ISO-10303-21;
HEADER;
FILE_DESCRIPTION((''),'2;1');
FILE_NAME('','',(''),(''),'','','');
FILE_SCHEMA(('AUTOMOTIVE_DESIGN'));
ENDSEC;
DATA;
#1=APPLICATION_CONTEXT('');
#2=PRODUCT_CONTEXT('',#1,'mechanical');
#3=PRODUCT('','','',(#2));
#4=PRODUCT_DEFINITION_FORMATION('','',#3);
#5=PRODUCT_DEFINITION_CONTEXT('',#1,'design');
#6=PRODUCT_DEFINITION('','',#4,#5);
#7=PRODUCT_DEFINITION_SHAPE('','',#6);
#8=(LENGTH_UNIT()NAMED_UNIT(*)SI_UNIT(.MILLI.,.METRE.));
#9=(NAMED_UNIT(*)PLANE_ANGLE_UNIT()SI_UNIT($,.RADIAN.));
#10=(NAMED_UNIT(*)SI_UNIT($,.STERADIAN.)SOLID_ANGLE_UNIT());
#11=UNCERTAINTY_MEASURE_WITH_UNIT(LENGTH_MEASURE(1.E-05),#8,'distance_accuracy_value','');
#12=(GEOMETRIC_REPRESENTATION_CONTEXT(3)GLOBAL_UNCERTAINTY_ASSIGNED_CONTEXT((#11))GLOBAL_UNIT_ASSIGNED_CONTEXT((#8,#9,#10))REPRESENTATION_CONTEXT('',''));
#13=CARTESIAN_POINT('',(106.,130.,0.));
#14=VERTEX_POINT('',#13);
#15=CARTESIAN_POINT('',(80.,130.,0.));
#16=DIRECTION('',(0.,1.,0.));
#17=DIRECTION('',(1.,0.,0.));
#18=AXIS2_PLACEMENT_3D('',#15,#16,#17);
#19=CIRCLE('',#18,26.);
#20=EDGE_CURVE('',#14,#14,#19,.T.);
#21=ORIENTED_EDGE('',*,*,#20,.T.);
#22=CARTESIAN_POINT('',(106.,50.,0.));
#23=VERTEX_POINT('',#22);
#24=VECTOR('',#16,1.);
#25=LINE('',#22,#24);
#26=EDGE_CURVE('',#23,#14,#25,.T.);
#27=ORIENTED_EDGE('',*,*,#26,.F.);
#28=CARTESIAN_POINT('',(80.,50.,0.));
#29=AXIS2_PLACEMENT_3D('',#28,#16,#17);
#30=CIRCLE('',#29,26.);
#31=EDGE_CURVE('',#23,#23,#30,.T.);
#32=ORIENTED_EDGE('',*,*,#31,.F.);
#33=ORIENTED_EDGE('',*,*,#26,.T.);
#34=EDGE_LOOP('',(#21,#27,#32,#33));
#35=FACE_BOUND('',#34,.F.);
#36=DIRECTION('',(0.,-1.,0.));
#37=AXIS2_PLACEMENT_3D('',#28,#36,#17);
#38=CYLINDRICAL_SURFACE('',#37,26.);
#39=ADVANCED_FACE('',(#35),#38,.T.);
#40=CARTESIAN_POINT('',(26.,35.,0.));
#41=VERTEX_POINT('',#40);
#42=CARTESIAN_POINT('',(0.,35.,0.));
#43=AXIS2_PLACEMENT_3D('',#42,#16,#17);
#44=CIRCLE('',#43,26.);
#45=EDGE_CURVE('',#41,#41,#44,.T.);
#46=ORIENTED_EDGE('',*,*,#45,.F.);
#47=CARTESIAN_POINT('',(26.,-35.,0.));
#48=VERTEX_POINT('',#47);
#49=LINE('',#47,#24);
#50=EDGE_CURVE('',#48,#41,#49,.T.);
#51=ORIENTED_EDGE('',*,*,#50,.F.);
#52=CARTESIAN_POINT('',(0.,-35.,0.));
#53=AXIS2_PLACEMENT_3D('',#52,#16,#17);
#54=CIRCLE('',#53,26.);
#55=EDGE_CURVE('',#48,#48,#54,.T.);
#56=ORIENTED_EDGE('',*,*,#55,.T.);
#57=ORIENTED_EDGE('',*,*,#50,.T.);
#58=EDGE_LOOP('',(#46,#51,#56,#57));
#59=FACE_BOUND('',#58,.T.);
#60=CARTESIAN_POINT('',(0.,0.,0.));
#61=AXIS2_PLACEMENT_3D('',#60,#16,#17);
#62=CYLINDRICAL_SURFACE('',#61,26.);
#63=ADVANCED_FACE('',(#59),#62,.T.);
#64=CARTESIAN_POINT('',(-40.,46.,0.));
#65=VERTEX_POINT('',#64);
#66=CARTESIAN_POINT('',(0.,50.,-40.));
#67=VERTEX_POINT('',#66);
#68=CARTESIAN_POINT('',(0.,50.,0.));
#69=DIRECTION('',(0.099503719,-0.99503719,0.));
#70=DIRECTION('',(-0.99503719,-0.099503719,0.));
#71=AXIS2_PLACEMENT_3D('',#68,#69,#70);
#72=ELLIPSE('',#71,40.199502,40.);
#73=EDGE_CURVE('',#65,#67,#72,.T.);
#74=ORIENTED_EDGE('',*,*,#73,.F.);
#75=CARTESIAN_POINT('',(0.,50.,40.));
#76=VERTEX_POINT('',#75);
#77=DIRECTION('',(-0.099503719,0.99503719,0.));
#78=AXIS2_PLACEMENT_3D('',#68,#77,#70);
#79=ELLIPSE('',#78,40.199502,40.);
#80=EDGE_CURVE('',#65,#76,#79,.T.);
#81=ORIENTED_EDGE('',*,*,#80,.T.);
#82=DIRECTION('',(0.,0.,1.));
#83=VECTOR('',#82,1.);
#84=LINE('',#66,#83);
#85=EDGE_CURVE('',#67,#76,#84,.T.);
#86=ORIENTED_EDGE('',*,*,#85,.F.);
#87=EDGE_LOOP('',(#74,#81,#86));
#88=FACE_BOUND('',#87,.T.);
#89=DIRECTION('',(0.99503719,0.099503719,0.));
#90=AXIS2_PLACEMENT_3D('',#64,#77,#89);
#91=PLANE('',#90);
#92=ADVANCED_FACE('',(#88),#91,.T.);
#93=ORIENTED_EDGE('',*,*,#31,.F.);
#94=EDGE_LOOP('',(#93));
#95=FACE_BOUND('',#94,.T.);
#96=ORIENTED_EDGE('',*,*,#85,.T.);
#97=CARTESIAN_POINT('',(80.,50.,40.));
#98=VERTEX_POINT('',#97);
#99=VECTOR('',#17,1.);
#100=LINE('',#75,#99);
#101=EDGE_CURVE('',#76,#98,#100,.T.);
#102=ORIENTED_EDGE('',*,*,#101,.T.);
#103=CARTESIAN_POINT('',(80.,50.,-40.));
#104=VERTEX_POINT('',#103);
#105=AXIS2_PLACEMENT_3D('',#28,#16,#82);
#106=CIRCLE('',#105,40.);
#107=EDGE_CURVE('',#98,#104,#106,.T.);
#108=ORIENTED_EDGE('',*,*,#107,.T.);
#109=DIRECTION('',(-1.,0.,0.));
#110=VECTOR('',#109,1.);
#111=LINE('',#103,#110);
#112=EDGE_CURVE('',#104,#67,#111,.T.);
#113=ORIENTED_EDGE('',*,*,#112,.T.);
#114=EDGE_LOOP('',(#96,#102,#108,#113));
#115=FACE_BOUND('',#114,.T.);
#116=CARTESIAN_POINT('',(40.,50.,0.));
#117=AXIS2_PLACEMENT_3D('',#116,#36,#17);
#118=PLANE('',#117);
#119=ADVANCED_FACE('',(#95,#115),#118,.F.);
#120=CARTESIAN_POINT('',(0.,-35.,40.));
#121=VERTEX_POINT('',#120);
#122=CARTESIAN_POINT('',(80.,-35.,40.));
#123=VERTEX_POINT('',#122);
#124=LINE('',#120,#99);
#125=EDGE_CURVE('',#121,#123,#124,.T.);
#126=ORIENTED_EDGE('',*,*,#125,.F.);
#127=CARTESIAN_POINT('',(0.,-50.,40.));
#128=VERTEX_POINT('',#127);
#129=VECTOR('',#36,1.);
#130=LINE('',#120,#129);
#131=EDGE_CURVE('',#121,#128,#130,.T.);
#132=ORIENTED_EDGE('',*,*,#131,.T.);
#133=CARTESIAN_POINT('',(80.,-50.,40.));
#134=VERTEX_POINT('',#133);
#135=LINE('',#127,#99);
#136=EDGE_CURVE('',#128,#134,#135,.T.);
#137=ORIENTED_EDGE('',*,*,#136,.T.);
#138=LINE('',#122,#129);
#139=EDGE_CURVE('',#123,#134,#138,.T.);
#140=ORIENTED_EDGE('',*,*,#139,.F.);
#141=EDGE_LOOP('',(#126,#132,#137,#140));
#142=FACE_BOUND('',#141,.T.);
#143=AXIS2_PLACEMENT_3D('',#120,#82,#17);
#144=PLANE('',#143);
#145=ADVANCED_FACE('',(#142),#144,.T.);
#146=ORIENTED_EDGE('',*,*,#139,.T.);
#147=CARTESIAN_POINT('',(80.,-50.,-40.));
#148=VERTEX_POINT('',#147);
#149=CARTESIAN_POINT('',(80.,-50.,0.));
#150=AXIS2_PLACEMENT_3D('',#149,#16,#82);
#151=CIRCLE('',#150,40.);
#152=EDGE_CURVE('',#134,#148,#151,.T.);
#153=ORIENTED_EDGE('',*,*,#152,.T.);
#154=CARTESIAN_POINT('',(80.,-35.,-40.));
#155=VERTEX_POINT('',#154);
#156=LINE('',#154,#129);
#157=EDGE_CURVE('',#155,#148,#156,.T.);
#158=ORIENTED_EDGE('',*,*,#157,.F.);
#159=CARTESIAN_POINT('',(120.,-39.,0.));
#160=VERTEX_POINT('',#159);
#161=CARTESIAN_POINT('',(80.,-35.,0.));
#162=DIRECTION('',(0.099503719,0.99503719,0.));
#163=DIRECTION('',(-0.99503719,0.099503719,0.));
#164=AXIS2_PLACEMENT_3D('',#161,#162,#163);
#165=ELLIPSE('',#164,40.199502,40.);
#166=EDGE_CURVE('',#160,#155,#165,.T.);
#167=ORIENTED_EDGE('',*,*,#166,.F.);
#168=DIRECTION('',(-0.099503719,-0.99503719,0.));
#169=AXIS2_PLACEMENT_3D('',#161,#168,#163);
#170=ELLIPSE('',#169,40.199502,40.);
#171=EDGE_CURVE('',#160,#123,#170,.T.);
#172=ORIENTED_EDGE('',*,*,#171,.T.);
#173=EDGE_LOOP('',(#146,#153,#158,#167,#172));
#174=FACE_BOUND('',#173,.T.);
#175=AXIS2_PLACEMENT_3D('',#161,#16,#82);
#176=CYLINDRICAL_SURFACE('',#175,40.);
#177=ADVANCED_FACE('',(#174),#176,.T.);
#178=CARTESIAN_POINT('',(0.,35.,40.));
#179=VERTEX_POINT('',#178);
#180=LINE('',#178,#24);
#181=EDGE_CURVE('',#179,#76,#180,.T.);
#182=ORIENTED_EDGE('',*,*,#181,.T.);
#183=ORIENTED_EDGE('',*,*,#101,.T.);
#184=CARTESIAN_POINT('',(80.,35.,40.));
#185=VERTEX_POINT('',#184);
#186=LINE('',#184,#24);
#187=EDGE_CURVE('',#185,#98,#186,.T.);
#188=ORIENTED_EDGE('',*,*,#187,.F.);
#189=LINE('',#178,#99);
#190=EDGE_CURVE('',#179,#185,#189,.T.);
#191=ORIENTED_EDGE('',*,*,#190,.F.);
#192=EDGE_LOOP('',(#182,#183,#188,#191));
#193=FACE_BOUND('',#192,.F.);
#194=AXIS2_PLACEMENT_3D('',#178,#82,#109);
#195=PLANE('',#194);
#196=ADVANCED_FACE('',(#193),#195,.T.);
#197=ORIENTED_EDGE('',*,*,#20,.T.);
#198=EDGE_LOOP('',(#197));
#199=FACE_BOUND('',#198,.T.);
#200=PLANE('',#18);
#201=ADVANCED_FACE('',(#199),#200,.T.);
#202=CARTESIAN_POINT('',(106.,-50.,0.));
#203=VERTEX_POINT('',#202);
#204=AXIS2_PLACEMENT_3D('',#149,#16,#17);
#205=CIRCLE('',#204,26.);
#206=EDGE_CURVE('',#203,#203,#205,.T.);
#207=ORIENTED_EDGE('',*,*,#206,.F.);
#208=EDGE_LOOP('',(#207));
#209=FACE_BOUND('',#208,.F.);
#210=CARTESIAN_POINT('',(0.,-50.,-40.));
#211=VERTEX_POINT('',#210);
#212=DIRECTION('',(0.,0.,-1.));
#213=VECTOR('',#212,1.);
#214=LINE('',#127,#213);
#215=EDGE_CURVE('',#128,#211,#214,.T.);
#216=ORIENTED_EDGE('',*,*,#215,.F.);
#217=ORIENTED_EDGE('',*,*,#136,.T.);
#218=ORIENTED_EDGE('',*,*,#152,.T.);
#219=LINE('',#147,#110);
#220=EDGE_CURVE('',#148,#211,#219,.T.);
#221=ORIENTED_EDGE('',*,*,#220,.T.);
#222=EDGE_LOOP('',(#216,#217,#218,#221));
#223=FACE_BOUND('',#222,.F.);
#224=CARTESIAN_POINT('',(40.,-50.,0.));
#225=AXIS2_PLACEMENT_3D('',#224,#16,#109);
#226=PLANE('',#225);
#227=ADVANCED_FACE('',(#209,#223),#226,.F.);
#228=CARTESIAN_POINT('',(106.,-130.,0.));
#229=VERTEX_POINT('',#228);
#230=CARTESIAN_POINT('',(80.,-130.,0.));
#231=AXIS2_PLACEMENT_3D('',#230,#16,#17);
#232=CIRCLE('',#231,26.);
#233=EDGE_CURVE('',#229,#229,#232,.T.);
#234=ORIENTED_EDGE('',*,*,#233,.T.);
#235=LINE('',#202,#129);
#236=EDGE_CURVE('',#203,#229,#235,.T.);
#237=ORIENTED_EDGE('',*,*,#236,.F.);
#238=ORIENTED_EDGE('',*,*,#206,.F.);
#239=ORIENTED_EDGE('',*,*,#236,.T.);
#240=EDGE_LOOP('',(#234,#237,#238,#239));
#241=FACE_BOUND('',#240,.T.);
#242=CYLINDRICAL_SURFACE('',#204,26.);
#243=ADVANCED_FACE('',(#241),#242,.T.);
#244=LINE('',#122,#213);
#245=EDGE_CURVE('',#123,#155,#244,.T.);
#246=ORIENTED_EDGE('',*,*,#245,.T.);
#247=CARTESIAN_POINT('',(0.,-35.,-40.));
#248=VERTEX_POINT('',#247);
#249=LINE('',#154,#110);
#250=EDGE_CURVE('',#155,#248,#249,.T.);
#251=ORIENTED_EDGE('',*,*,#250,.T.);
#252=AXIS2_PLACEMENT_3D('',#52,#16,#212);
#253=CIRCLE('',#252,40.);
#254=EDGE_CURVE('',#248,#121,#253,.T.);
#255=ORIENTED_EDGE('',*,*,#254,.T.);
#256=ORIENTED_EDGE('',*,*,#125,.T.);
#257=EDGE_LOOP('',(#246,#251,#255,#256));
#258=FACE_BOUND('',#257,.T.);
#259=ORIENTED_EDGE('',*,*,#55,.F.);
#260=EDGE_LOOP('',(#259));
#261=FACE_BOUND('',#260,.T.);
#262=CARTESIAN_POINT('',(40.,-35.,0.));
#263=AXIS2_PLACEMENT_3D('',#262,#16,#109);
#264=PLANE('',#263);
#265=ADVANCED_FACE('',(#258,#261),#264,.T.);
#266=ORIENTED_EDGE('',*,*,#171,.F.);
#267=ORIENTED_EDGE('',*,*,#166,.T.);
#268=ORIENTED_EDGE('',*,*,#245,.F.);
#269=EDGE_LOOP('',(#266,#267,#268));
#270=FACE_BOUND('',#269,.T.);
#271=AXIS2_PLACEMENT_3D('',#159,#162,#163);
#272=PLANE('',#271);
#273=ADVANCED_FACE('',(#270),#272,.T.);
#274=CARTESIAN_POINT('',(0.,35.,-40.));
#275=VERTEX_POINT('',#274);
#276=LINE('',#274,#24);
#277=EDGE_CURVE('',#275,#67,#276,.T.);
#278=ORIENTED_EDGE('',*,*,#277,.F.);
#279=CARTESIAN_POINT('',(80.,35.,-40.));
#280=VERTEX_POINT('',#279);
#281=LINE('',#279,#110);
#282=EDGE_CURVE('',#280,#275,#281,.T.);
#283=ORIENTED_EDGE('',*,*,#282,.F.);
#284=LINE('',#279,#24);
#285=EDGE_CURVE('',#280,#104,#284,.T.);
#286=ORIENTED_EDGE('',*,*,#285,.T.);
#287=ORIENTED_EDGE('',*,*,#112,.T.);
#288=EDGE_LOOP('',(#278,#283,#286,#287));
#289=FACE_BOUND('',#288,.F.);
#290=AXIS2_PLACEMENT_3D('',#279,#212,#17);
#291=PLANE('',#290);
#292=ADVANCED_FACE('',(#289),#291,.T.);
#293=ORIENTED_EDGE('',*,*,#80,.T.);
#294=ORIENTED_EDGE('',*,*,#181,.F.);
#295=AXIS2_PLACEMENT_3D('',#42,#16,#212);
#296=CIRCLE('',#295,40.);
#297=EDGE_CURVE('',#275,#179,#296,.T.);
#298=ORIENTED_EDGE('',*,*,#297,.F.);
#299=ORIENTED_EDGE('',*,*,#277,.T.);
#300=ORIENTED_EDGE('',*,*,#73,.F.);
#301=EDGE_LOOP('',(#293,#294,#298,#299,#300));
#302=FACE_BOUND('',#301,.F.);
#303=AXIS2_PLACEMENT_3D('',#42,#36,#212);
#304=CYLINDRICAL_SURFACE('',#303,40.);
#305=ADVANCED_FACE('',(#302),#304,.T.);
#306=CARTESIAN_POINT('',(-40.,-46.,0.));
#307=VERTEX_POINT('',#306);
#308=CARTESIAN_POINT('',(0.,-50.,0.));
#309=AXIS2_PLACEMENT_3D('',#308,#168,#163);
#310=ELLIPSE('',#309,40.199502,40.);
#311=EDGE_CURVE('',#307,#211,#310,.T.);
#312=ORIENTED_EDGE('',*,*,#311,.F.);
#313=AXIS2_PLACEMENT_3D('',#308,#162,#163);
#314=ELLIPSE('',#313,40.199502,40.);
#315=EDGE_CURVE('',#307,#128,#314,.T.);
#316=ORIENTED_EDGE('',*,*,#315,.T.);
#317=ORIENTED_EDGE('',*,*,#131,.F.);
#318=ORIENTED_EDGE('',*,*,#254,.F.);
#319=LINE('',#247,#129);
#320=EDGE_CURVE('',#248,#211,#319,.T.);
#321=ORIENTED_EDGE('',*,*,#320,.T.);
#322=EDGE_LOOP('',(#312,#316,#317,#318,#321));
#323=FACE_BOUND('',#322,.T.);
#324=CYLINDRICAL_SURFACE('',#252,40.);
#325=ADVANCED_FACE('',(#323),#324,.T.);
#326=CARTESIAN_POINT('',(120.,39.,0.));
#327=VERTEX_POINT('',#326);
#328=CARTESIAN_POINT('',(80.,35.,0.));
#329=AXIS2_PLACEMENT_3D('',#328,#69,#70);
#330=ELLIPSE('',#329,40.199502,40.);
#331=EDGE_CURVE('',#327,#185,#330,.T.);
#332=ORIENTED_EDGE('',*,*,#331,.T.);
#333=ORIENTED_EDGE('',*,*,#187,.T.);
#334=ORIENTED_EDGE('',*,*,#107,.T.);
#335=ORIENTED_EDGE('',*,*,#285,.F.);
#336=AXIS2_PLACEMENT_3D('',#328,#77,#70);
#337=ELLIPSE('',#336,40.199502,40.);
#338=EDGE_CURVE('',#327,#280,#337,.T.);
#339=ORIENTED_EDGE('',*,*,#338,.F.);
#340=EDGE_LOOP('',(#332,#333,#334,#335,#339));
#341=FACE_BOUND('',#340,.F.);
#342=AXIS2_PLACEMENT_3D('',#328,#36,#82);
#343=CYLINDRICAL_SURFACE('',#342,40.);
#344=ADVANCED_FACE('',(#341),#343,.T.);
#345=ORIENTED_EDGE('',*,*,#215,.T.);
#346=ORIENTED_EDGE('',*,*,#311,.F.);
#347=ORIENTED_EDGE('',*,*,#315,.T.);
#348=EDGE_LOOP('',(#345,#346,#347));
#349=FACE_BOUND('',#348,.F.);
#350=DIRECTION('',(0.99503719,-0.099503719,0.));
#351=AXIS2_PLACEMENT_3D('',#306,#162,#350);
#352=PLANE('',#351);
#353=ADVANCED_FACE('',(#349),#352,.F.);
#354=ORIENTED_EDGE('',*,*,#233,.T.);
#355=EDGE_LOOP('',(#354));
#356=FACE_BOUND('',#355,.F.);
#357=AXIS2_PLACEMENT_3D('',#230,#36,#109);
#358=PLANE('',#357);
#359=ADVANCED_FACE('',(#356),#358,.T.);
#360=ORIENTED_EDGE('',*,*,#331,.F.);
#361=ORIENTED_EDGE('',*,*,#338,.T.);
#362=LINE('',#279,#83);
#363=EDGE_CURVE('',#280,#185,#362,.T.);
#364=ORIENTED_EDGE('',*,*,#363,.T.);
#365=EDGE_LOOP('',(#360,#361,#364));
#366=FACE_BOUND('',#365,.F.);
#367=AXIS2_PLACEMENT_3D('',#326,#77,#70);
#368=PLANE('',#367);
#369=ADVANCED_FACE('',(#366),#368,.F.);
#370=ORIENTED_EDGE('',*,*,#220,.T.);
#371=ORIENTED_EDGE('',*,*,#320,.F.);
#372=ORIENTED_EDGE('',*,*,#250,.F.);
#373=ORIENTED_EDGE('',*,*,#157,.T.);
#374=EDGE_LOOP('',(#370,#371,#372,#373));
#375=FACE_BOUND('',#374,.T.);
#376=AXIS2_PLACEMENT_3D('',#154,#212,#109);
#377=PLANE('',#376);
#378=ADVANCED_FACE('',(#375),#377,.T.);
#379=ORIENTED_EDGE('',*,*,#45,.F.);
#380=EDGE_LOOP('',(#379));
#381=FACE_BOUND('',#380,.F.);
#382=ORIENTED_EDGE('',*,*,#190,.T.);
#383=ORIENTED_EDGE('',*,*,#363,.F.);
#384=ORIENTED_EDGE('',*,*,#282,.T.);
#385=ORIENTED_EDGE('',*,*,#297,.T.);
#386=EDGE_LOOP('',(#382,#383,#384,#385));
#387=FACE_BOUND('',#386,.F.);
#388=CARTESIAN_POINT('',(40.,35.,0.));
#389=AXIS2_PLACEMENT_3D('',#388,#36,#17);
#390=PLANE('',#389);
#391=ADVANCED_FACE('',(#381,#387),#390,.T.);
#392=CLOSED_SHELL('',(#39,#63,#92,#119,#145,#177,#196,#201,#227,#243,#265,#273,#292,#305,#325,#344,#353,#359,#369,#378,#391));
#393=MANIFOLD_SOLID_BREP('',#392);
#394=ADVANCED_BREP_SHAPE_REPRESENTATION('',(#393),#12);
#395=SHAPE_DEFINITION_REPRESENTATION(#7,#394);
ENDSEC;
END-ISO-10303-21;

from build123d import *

# Parameters (mm, degrees)
SKETCH1_R               = 26
BOSS_EXTRUDE1_DEPTH     = 35
BOSS_EXTRUDE2_DEPTH     = 15
SKETCH3_R               = 26
BOSS_EXTRUDE3_DEPTH     = 80
CUT_EXTRUDE1_DEPTH      = 41
CUT_EXTRUDE1_DEPTH_BACK = 41


with BuildPart() as part:
    # Sketch1 → Boss-Extrude1 (new body, symmetric)
    with BuildSketch(Plane(origin=(0, 0, 0), x_dir=(1, 0, 0), z_dir=(0, 1, 0))):
        Circle(SKETCH1_R)
    extrude(amount=BOSS_EXTRUDE1_DEPTH, both=True)

    # Sketch2 → Boss-Extrude2 (add)
    with BuildSketch(Plane.XZ.offset(35)):
        with BuildLine():
            Line((0, 40), (80, 40))
            ThreePointArc((80, 40), (120, 0), (80, -40))
            Line((80, -40), (0, -40))
            ThreePointArc((0, -40), (-40, 0), (0, 40))
        make_face()
    boss_extrude2 = extrude(amount=BOSS_EXTRUDE2_DEPTH)

    # Mirror1: Boss-Extrude2 across plane
    add(boss_extrude2.mirror(Plane.ZX))

    # Sketch3 → Boss-Extrude3 (add)
    with BuildSketch(Plane(origin=(0, 50, 0), x_dir=(1, 0, 0), z_dir=(0, 1, 0))):
        with Locations((80, 0)):
            Circle(SKETCH3_R)
    boss_extrude3 = extrude(amount=BOSS_EXTRUDE3_DEPTH)

    # Mirror2: Boss-Extrude3 across plane
    add(boss_extrude3.mirror(Plane.ZX))

    # Sketch4 → Cut-Extrude1 (cut, two sides)
    with BuildSketch(Plane.XY) as cut_extrude1_sk:
        Polygon((0, -50), (-40, -50), (-40, -46), align=None)
        Polygon((80, -35), (120, -35), (120, -39), align=None)
        Polygon((120, 39), (80, 35), (120, 35), align=None)
        Polygon((-40, 46), (0, 50), (-40, 50), align=None)
    extrude(amount=CUT_EXTRUDE1_DEPTH, mode=Mode.SUBTRACT)
    extrude(cut_extrude1_sk.sketch, amount=-CUT_EXTRUDE1_DEPTH_BACK, mode=Mode.SUBTRACT)


solid = part.part
